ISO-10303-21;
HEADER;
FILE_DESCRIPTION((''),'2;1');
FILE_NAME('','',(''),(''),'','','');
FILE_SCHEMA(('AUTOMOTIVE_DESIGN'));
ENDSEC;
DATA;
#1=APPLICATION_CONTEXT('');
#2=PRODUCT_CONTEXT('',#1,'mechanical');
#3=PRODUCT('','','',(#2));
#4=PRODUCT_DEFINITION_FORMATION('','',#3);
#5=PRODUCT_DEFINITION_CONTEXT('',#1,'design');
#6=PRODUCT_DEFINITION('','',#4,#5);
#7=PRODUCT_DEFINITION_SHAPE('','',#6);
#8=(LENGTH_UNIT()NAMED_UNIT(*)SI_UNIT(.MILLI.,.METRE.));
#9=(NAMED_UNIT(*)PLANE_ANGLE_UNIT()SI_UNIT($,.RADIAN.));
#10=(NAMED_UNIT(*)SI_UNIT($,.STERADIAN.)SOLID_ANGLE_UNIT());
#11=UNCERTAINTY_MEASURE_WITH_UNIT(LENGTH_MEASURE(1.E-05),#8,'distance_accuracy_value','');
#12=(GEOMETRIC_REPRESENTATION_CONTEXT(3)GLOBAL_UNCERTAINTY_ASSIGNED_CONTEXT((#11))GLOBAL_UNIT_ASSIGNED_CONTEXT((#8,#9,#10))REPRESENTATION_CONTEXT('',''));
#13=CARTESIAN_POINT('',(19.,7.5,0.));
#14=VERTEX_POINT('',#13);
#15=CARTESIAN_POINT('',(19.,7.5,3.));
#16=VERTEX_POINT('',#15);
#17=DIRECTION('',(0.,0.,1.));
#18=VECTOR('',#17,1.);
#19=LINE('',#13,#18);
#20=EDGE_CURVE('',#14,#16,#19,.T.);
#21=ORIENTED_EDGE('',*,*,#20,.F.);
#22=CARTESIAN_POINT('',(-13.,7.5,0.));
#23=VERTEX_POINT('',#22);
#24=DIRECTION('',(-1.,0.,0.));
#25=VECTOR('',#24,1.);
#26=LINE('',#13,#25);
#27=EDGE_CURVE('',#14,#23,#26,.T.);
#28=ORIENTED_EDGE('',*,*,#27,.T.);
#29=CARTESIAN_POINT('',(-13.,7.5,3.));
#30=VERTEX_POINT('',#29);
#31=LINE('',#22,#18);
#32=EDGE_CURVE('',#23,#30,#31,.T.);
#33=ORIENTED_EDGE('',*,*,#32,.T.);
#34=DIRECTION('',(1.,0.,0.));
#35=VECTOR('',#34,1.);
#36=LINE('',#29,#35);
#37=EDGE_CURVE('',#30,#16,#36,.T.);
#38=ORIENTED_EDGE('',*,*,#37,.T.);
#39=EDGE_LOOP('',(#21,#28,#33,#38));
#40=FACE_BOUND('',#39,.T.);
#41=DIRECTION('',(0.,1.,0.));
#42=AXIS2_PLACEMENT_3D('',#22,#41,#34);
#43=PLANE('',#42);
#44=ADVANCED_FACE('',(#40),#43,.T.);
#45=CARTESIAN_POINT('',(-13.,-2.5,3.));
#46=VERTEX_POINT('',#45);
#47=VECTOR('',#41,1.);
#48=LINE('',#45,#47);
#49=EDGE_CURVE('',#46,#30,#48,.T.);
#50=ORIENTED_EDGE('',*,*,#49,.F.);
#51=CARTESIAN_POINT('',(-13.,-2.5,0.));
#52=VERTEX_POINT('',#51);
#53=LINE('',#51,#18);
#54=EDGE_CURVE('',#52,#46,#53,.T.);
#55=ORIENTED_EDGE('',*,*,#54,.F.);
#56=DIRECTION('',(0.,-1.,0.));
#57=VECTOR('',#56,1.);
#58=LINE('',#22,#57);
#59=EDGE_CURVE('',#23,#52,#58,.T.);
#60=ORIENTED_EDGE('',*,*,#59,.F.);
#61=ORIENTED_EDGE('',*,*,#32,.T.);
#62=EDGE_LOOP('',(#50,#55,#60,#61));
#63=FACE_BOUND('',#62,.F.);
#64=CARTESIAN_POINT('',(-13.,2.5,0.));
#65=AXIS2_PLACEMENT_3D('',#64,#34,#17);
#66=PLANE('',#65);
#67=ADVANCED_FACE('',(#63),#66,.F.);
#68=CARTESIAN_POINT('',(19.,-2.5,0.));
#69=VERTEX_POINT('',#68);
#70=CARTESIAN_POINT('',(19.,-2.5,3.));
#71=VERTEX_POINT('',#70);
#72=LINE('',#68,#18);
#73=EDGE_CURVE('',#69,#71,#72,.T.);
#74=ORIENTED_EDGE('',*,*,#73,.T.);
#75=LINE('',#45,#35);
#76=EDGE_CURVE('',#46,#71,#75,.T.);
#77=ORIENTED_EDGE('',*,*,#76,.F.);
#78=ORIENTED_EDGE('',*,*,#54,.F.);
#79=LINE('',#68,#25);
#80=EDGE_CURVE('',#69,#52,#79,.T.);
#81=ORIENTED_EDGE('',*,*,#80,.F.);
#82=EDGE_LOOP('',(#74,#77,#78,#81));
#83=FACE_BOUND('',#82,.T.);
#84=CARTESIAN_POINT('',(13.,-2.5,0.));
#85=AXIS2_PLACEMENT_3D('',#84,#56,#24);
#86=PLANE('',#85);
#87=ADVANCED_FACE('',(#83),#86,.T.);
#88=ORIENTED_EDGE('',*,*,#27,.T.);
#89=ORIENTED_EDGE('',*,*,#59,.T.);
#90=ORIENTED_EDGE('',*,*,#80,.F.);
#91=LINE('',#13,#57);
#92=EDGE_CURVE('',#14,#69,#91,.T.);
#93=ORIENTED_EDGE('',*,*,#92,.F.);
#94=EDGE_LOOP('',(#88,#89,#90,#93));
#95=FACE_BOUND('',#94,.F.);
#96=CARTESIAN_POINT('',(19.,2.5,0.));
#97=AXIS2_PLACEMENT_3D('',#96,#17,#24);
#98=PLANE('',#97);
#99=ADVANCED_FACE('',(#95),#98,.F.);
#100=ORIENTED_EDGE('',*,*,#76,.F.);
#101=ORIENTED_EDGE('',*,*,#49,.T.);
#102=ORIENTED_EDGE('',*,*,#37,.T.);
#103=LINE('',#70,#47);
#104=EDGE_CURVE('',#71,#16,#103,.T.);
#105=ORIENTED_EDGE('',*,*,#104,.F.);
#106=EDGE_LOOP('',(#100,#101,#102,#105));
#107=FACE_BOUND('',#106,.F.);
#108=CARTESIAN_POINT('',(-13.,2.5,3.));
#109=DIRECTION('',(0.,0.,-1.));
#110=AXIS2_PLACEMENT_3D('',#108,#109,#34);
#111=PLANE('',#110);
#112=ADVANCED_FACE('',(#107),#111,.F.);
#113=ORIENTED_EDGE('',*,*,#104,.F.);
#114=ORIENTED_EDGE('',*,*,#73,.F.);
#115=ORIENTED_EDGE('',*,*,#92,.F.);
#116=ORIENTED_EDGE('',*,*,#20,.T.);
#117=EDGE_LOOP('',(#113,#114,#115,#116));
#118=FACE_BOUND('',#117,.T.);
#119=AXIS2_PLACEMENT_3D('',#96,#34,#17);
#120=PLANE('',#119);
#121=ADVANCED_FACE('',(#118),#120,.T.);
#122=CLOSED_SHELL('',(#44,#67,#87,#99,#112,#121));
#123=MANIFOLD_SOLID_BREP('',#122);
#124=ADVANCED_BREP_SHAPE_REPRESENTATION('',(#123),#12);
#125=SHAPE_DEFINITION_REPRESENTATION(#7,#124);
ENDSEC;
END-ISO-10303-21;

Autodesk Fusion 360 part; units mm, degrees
sketch "Sketch1" plane through (0, 0, 0) normal (0, 0, 1) x (1, 0, 0)
  line L0 (-13, 2.5) -> (13, 2.5)
  line L1 (13, 2.5) -> (13, -2.5)
  line L2 (13, -2.5) -> (-13, -2.5)
  line L3 (-13, -2.5) -> (-13, 2.5)
  line L4 (-13, 2.5) -> (13, -2.5) construction
  line L5 (13, 2.5) -> (-13, -2.5) construction
  dimension "d1" = 26
  dimension "d2" = 5
extrude "Extrude1" add sketch "Sketch1" along normal blind 3
extrude "Extrude2" add 1 faces at (13, 0.8333, 1) along direction (1, 0, 0) blind 6
extrude "Extrude3" add 1 faces at (-2.3333, 2.5, 1) along direction (0, 1, 0) blind 5
